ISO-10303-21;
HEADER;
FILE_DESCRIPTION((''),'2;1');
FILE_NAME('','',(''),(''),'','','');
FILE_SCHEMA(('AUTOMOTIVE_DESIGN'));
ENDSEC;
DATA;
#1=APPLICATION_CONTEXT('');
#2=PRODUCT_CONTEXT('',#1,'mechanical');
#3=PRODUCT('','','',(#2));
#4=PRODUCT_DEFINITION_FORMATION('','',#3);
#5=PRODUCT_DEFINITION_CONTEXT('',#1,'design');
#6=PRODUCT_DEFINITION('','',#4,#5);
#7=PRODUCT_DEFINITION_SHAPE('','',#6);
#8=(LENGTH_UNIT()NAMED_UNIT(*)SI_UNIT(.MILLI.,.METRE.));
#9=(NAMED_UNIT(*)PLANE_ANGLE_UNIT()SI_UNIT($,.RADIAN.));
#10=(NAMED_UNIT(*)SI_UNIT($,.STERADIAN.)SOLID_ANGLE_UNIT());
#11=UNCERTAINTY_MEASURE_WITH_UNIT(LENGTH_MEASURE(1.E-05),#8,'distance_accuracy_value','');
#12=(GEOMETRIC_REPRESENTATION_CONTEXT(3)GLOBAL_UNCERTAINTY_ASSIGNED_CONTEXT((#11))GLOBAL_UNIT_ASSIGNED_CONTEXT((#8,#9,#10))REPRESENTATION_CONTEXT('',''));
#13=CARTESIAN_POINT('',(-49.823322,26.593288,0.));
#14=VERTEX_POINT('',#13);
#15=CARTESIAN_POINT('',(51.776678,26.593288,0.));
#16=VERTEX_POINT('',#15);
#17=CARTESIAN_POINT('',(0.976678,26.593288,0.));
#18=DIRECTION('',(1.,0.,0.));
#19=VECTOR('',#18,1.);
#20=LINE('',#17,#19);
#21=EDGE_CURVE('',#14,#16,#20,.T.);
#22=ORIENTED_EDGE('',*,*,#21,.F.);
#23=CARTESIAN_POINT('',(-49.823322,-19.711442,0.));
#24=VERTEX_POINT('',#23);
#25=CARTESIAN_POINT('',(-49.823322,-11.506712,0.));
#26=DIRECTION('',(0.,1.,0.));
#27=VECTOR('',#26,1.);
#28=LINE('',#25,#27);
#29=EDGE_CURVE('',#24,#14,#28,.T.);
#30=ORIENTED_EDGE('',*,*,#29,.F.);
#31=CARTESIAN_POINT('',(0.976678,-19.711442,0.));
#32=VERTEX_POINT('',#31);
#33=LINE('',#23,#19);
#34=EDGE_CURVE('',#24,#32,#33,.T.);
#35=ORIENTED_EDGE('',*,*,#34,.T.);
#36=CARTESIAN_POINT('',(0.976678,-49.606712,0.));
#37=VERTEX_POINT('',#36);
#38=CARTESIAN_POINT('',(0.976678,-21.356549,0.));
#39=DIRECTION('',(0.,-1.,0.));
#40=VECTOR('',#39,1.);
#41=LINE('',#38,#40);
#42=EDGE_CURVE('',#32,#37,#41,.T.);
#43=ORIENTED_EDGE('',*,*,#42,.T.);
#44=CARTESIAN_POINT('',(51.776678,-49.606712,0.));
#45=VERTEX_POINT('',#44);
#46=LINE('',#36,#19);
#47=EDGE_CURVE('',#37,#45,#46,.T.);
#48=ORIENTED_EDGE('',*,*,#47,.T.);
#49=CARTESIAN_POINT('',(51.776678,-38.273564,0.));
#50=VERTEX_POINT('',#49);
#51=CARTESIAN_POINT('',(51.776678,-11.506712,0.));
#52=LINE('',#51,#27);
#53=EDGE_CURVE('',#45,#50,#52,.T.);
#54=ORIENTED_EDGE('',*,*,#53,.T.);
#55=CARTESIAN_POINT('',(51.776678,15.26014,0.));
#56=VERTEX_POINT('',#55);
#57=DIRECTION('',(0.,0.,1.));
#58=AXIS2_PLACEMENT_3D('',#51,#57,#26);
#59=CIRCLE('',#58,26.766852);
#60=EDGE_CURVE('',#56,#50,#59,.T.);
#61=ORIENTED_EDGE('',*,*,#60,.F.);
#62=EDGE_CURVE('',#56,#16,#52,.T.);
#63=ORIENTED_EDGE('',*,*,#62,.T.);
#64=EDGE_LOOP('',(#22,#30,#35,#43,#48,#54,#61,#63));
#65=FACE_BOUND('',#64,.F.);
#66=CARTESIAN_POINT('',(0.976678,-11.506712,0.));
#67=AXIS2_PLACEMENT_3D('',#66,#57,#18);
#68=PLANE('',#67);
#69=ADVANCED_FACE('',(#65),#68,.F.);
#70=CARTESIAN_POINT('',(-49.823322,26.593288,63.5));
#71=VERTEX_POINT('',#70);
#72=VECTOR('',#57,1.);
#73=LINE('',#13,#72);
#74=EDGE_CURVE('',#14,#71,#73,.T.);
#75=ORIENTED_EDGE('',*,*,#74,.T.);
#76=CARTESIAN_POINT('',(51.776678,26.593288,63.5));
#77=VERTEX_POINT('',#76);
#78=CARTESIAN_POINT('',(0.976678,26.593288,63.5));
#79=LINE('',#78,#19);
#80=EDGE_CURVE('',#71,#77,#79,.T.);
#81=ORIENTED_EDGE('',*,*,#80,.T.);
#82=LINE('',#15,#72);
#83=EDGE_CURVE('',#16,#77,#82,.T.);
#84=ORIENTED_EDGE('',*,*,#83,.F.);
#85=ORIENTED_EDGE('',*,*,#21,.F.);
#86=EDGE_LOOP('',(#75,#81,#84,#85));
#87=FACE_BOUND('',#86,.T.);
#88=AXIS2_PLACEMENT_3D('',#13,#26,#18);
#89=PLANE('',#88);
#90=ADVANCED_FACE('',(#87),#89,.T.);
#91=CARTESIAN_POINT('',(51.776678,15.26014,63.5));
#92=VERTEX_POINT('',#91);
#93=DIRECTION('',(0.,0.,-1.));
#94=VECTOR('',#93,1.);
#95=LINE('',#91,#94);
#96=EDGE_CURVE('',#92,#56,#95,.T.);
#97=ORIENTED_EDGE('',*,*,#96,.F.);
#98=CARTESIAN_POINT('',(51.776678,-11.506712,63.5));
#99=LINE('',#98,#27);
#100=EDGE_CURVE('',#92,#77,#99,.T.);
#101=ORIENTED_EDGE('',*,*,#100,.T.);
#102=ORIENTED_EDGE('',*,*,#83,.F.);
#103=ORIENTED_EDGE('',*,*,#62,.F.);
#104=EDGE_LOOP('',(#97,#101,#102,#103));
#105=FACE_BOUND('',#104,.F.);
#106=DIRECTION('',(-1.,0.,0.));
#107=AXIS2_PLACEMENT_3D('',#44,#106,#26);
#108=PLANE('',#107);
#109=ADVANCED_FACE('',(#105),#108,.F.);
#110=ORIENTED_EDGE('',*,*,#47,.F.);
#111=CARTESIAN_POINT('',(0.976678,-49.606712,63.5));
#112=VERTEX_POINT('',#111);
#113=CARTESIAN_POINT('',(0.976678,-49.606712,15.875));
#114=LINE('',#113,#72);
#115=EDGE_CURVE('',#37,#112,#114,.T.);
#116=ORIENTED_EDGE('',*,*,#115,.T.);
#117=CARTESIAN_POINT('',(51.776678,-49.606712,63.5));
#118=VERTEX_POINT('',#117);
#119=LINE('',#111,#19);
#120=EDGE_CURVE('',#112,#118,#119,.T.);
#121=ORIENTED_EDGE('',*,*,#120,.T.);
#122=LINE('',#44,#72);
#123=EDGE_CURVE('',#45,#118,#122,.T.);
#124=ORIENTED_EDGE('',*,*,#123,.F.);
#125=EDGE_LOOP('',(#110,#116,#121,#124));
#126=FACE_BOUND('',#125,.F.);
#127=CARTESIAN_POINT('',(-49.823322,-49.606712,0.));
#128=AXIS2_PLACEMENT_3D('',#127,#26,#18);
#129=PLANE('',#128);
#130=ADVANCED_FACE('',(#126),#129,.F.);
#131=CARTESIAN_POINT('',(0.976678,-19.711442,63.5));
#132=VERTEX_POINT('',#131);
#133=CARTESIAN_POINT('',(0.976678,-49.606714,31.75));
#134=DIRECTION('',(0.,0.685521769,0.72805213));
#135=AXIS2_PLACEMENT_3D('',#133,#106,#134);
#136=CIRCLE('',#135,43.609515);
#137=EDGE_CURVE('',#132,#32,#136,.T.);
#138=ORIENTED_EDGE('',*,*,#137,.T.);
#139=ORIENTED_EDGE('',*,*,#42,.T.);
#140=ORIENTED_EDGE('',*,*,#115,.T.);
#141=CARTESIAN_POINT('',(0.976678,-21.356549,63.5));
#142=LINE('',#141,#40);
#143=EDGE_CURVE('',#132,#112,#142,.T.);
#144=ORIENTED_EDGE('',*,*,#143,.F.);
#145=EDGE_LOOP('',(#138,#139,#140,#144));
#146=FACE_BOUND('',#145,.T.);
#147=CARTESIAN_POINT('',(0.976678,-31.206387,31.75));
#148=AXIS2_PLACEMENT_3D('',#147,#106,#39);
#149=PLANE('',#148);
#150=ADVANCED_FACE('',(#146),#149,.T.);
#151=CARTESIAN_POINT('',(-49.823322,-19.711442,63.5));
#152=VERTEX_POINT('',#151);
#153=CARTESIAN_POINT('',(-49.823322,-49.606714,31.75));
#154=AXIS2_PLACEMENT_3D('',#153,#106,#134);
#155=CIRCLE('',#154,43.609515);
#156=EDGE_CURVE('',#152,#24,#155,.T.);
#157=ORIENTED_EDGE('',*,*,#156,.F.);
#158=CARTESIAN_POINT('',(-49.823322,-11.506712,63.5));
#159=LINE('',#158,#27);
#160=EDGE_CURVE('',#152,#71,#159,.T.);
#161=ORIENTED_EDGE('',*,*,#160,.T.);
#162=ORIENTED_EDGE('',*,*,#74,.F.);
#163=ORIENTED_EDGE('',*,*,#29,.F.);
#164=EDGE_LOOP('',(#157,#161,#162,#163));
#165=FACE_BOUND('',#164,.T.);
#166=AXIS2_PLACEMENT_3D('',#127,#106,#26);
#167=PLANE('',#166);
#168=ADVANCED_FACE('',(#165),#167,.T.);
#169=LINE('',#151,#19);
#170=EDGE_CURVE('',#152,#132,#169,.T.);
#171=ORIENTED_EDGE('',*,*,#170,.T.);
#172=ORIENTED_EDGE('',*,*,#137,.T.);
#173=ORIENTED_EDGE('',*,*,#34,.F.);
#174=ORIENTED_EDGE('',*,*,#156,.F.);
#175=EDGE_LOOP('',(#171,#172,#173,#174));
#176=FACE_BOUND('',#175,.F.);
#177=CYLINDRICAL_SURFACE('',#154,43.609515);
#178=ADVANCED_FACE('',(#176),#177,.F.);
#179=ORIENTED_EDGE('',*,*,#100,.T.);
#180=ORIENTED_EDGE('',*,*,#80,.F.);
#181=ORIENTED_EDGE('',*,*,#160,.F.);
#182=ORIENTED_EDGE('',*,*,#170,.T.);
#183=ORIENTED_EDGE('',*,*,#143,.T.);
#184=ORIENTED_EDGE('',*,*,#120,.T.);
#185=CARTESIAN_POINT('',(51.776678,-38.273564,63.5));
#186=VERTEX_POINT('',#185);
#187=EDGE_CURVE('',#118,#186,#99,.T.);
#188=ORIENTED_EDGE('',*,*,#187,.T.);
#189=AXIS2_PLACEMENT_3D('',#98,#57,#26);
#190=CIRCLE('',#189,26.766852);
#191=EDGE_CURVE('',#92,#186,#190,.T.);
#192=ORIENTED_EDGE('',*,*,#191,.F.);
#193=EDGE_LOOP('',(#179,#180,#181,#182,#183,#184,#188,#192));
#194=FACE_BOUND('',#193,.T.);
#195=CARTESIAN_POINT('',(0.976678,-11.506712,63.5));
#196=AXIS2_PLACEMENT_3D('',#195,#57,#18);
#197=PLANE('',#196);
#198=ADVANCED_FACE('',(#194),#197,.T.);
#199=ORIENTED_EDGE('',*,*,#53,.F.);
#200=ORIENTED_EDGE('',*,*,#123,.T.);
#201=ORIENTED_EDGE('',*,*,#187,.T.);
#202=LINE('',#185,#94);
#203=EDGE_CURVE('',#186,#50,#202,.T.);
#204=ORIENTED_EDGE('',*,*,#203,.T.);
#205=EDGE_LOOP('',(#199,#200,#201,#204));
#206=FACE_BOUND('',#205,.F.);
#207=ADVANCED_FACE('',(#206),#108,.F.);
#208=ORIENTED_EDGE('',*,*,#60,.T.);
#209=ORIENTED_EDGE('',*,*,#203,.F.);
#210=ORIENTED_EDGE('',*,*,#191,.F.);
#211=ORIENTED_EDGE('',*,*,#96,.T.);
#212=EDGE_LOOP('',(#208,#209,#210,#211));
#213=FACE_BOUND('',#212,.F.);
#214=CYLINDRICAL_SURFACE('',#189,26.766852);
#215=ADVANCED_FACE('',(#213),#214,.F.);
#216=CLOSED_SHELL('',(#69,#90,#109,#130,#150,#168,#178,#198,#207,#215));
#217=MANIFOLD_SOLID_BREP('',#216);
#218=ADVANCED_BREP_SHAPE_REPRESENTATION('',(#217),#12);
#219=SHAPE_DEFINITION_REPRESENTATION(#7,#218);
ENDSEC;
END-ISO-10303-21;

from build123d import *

# Parameters (mm, degrees)
F0_W     = 101.6
F0_H     = 76.2
F1_DEPTH = 63.5
F3_DEPTH = 63.501
F5_DEPTH = 50.8


with BuildPart() as f1:
    # F0 (on Top) → F1 (new body)
    with BuildSketch(Plane.XY):
        with Locations((0.976678, -11.506712)):
            Rectangle(F0_W, F0_H)
    extrude(amount=F1_DEPTH)

    # F2 (on face) → F3 (cut, through all)
    with BuildSketch(Plane.XY.offset(63.5)):
        with BuildLine():
            Line((51.776678, -38.273564), (51.776678, 15.26014))
            ThreePointArc((51.776678, 15.26014), (25.009826, -11.506712), (51.776678, -38.273564))
        make_face()
        with BuildLine():
            ThreePointArc((51.776678, -38.273564), (70.7037, -30.433734), (78.54353, -11.506712))
            ThreePointArc((78.54353, -11.506712), (70.7037, 7.420311), (51.776678, 15.26014))
            Line((51.776678, 15.26014), (51.776678, -38.273564))
        make_face()
    extrude(amount=-F3_DEPTH, mode=Mode.SUBTRACT)

    # F4 (on face) → F5 (cut)
    with BuildSketch(Plane(origin=(-49.823322, 0, 0), x_dir=(0, -1, 0), z_dir=(-1, 0, 0))):
        with BuildLine():
            Line((49.606712, 63.5), (19.711442, 63.5))
            ThreePointArc((19.711442, 63.5), (5.997199, 31.75), (19.711442, 0))
            Line((19.711442, 0), (49.606712, 0))
            Line((49.606712, 0), (49.606712, 63.5))
        make_face()
        with BuildLine():
            ThreePointArc((19.711442, 0), (66.899362, -8.284409), (93.216225, 31.75))
            ThreePointArc((93.216225, 31.75), (66.899362, 71.784409), (19.711442, 63.5))
            Line((19.711442, 63.5), (49.606712, 63.5))
            Line((49.606712, 63.5), (49.606712, 0))
            Line((49.606712, 0), (19.711442, 0))
        make_face()
    extrude(amount=-F5_DEPTH, mode=Mode.SUBTRACT)


solid = f1.part
